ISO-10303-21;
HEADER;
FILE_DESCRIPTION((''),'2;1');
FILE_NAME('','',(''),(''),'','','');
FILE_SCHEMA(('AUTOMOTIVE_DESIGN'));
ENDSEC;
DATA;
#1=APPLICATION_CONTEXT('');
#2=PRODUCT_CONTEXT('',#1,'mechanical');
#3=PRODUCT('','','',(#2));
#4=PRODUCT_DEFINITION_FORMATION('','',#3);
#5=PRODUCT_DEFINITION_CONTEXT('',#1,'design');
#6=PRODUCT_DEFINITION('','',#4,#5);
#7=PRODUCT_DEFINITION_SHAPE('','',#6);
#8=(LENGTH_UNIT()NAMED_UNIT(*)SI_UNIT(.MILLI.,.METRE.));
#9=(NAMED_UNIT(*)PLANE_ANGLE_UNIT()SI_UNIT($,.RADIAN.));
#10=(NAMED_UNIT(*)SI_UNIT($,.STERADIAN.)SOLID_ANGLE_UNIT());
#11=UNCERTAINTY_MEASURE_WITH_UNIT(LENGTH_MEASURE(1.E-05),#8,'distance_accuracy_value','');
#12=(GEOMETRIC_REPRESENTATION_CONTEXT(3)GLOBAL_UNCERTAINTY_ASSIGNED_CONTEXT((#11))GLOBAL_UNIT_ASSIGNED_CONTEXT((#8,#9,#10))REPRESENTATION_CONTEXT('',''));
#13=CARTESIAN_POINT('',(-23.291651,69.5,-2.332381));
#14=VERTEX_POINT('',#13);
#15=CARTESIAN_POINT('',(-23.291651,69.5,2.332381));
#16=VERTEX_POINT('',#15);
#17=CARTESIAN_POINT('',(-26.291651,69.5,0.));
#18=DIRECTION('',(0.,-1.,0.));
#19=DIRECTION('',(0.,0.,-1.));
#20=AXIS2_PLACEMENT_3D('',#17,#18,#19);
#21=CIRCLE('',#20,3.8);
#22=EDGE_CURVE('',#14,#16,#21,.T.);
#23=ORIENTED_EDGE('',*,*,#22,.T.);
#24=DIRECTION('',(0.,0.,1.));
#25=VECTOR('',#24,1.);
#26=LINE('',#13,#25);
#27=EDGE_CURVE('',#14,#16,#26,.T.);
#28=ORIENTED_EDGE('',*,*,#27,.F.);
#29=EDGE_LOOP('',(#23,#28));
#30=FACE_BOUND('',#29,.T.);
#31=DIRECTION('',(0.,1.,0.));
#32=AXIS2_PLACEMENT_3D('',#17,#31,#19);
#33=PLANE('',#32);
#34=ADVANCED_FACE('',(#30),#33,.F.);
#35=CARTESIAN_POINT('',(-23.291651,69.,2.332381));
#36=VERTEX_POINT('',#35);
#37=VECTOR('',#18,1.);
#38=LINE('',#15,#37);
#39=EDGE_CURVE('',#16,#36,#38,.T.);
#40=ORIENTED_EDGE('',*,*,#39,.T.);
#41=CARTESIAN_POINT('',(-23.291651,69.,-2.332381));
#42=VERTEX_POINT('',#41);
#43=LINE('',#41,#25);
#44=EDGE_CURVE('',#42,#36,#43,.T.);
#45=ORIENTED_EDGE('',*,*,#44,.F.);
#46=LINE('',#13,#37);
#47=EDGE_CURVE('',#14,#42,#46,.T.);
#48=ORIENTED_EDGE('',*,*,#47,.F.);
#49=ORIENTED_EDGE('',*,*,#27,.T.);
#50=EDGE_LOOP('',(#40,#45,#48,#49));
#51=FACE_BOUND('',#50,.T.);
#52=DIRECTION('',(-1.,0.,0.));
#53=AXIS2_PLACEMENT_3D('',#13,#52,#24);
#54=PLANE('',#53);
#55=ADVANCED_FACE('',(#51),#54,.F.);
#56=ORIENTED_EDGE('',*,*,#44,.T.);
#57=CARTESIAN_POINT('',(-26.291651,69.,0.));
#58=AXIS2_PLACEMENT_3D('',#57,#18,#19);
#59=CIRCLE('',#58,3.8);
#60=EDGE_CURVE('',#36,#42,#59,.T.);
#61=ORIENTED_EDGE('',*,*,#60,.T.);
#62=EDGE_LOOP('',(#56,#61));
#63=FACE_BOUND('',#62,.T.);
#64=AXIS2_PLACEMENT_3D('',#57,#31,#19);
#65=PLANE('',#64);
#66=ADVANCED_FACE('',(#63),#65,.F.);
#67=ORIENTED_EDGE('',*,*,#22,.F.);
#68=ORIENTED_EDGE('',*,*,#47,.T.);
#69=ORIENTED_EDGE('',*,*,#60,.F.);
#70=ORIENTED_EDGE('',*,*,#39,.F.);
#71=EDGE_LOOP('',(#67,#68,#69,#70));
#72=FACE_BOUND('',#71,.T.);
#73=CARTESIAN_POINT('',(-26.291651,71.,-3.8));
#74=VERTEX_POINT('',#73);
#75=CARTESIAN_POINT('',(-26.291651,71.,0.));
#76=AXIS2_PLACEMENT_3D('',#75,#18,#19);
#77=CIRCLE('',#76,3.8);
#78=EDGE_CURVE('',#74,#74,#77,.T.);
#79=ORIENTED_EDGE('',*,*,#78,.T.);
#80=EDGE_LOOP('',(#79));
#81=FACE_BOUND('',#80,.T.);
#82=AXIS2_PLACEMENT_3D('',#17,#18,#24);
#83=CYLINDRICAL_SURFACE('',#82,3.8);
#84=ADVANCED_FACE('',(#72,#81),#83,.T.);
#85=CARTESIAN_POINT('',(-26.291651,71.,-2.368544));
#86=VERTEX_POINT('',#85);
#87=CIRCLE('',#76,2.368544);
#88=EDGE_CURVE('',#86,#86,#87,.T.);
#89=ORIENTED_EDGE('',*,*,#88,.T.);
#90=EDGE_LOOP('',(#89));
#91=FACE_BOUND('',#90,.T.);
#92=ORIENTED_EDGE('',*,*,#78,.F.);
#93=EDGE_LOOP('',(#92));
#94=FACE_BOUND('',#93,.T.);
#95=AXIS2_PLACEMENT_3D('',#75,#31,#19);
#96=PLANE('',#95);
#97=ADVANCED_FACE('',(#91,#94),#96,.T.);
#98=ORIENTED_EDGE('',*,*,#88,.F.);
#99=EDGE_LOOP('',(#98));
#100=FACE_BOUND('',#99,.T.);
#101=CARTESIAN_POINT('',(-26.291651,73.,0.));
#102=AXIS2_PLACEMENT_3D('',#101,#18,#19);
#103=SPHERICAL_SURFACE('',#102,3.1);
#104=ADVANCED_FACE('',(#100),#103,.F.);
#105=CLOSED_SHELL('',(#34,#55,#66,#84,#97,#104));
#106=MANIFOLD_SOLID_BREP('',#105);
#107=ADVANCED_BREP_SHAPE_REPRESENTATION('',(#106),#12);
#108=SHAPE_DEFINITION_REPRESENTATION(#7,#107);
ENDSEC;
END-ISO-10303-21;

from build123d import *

# Parameters (mm, degrees)
KEYED_BACK_DEPTH   = 0.5
CUP_BLANK_SKETCH_R = 3.8
CUP_BLANK_DEPTH    = 1.5


with BuildPart() as part:
    # Keyed Back Sketch → Keyed Back (new body)
    with BuildSketch(Plane(origin=(0, -69, 0), x_dir=(-1, 0, 0), z_dir=(0, -1, 0))):
        with BuildLine():
            Line((23.291651246, 2.332380758), (23.291651246, -2.332380758))
            ThreePointArc((23.291651246, -2.332380758), (30.091651246, 0), (23.291651246, 2.332380758))
        make_face()
    extrude(amount=KEYED_BACK_DEPTH)

    # Cup Blank Sketch → Cup Blank (add)
    with BuildSketch(Plane(origin=(0, -69.5, 0), x_dir=(-1, 0, 0), z_dir=(0, -1, 0))):
        with Locations(Location((26.291651246, 0, 0), (0, 0, 217.863646362))):
            Circle(CUP_BLANK_SKETCH_R)
    extrude(amount=CUP_BLANK_DEPTH)

    # Spherical Bearing Seat profile → Spherical Bearing Seat (revolve, cut)
    with BuildSketch(Plane(origin=(0, -73, 0), x_dir=(-1, 0, 0), z_dir=(0, -1, 0))):
        with BuildLine():
            Line((26.291651246, -3.1), (26.291651246, 3.1))
            ThreePointArc((26.291651246, 3.1), (23.191651246, 0), (26.291651246, -3.1))
        make_face()
    revolve(axis=Axis((-26.291651246, -73, -10), (0, 0, 1)), mode=Mode.SUBTRACT)


with BuildPart() as body_2:
    # Mirror1: mirrored copy
    add(part.part.mirror(Plane(origin=(0, 0, 0), x_dir=(0, 0, 1), z_dir=(0, -1, 0))))


solid = body_2.part
